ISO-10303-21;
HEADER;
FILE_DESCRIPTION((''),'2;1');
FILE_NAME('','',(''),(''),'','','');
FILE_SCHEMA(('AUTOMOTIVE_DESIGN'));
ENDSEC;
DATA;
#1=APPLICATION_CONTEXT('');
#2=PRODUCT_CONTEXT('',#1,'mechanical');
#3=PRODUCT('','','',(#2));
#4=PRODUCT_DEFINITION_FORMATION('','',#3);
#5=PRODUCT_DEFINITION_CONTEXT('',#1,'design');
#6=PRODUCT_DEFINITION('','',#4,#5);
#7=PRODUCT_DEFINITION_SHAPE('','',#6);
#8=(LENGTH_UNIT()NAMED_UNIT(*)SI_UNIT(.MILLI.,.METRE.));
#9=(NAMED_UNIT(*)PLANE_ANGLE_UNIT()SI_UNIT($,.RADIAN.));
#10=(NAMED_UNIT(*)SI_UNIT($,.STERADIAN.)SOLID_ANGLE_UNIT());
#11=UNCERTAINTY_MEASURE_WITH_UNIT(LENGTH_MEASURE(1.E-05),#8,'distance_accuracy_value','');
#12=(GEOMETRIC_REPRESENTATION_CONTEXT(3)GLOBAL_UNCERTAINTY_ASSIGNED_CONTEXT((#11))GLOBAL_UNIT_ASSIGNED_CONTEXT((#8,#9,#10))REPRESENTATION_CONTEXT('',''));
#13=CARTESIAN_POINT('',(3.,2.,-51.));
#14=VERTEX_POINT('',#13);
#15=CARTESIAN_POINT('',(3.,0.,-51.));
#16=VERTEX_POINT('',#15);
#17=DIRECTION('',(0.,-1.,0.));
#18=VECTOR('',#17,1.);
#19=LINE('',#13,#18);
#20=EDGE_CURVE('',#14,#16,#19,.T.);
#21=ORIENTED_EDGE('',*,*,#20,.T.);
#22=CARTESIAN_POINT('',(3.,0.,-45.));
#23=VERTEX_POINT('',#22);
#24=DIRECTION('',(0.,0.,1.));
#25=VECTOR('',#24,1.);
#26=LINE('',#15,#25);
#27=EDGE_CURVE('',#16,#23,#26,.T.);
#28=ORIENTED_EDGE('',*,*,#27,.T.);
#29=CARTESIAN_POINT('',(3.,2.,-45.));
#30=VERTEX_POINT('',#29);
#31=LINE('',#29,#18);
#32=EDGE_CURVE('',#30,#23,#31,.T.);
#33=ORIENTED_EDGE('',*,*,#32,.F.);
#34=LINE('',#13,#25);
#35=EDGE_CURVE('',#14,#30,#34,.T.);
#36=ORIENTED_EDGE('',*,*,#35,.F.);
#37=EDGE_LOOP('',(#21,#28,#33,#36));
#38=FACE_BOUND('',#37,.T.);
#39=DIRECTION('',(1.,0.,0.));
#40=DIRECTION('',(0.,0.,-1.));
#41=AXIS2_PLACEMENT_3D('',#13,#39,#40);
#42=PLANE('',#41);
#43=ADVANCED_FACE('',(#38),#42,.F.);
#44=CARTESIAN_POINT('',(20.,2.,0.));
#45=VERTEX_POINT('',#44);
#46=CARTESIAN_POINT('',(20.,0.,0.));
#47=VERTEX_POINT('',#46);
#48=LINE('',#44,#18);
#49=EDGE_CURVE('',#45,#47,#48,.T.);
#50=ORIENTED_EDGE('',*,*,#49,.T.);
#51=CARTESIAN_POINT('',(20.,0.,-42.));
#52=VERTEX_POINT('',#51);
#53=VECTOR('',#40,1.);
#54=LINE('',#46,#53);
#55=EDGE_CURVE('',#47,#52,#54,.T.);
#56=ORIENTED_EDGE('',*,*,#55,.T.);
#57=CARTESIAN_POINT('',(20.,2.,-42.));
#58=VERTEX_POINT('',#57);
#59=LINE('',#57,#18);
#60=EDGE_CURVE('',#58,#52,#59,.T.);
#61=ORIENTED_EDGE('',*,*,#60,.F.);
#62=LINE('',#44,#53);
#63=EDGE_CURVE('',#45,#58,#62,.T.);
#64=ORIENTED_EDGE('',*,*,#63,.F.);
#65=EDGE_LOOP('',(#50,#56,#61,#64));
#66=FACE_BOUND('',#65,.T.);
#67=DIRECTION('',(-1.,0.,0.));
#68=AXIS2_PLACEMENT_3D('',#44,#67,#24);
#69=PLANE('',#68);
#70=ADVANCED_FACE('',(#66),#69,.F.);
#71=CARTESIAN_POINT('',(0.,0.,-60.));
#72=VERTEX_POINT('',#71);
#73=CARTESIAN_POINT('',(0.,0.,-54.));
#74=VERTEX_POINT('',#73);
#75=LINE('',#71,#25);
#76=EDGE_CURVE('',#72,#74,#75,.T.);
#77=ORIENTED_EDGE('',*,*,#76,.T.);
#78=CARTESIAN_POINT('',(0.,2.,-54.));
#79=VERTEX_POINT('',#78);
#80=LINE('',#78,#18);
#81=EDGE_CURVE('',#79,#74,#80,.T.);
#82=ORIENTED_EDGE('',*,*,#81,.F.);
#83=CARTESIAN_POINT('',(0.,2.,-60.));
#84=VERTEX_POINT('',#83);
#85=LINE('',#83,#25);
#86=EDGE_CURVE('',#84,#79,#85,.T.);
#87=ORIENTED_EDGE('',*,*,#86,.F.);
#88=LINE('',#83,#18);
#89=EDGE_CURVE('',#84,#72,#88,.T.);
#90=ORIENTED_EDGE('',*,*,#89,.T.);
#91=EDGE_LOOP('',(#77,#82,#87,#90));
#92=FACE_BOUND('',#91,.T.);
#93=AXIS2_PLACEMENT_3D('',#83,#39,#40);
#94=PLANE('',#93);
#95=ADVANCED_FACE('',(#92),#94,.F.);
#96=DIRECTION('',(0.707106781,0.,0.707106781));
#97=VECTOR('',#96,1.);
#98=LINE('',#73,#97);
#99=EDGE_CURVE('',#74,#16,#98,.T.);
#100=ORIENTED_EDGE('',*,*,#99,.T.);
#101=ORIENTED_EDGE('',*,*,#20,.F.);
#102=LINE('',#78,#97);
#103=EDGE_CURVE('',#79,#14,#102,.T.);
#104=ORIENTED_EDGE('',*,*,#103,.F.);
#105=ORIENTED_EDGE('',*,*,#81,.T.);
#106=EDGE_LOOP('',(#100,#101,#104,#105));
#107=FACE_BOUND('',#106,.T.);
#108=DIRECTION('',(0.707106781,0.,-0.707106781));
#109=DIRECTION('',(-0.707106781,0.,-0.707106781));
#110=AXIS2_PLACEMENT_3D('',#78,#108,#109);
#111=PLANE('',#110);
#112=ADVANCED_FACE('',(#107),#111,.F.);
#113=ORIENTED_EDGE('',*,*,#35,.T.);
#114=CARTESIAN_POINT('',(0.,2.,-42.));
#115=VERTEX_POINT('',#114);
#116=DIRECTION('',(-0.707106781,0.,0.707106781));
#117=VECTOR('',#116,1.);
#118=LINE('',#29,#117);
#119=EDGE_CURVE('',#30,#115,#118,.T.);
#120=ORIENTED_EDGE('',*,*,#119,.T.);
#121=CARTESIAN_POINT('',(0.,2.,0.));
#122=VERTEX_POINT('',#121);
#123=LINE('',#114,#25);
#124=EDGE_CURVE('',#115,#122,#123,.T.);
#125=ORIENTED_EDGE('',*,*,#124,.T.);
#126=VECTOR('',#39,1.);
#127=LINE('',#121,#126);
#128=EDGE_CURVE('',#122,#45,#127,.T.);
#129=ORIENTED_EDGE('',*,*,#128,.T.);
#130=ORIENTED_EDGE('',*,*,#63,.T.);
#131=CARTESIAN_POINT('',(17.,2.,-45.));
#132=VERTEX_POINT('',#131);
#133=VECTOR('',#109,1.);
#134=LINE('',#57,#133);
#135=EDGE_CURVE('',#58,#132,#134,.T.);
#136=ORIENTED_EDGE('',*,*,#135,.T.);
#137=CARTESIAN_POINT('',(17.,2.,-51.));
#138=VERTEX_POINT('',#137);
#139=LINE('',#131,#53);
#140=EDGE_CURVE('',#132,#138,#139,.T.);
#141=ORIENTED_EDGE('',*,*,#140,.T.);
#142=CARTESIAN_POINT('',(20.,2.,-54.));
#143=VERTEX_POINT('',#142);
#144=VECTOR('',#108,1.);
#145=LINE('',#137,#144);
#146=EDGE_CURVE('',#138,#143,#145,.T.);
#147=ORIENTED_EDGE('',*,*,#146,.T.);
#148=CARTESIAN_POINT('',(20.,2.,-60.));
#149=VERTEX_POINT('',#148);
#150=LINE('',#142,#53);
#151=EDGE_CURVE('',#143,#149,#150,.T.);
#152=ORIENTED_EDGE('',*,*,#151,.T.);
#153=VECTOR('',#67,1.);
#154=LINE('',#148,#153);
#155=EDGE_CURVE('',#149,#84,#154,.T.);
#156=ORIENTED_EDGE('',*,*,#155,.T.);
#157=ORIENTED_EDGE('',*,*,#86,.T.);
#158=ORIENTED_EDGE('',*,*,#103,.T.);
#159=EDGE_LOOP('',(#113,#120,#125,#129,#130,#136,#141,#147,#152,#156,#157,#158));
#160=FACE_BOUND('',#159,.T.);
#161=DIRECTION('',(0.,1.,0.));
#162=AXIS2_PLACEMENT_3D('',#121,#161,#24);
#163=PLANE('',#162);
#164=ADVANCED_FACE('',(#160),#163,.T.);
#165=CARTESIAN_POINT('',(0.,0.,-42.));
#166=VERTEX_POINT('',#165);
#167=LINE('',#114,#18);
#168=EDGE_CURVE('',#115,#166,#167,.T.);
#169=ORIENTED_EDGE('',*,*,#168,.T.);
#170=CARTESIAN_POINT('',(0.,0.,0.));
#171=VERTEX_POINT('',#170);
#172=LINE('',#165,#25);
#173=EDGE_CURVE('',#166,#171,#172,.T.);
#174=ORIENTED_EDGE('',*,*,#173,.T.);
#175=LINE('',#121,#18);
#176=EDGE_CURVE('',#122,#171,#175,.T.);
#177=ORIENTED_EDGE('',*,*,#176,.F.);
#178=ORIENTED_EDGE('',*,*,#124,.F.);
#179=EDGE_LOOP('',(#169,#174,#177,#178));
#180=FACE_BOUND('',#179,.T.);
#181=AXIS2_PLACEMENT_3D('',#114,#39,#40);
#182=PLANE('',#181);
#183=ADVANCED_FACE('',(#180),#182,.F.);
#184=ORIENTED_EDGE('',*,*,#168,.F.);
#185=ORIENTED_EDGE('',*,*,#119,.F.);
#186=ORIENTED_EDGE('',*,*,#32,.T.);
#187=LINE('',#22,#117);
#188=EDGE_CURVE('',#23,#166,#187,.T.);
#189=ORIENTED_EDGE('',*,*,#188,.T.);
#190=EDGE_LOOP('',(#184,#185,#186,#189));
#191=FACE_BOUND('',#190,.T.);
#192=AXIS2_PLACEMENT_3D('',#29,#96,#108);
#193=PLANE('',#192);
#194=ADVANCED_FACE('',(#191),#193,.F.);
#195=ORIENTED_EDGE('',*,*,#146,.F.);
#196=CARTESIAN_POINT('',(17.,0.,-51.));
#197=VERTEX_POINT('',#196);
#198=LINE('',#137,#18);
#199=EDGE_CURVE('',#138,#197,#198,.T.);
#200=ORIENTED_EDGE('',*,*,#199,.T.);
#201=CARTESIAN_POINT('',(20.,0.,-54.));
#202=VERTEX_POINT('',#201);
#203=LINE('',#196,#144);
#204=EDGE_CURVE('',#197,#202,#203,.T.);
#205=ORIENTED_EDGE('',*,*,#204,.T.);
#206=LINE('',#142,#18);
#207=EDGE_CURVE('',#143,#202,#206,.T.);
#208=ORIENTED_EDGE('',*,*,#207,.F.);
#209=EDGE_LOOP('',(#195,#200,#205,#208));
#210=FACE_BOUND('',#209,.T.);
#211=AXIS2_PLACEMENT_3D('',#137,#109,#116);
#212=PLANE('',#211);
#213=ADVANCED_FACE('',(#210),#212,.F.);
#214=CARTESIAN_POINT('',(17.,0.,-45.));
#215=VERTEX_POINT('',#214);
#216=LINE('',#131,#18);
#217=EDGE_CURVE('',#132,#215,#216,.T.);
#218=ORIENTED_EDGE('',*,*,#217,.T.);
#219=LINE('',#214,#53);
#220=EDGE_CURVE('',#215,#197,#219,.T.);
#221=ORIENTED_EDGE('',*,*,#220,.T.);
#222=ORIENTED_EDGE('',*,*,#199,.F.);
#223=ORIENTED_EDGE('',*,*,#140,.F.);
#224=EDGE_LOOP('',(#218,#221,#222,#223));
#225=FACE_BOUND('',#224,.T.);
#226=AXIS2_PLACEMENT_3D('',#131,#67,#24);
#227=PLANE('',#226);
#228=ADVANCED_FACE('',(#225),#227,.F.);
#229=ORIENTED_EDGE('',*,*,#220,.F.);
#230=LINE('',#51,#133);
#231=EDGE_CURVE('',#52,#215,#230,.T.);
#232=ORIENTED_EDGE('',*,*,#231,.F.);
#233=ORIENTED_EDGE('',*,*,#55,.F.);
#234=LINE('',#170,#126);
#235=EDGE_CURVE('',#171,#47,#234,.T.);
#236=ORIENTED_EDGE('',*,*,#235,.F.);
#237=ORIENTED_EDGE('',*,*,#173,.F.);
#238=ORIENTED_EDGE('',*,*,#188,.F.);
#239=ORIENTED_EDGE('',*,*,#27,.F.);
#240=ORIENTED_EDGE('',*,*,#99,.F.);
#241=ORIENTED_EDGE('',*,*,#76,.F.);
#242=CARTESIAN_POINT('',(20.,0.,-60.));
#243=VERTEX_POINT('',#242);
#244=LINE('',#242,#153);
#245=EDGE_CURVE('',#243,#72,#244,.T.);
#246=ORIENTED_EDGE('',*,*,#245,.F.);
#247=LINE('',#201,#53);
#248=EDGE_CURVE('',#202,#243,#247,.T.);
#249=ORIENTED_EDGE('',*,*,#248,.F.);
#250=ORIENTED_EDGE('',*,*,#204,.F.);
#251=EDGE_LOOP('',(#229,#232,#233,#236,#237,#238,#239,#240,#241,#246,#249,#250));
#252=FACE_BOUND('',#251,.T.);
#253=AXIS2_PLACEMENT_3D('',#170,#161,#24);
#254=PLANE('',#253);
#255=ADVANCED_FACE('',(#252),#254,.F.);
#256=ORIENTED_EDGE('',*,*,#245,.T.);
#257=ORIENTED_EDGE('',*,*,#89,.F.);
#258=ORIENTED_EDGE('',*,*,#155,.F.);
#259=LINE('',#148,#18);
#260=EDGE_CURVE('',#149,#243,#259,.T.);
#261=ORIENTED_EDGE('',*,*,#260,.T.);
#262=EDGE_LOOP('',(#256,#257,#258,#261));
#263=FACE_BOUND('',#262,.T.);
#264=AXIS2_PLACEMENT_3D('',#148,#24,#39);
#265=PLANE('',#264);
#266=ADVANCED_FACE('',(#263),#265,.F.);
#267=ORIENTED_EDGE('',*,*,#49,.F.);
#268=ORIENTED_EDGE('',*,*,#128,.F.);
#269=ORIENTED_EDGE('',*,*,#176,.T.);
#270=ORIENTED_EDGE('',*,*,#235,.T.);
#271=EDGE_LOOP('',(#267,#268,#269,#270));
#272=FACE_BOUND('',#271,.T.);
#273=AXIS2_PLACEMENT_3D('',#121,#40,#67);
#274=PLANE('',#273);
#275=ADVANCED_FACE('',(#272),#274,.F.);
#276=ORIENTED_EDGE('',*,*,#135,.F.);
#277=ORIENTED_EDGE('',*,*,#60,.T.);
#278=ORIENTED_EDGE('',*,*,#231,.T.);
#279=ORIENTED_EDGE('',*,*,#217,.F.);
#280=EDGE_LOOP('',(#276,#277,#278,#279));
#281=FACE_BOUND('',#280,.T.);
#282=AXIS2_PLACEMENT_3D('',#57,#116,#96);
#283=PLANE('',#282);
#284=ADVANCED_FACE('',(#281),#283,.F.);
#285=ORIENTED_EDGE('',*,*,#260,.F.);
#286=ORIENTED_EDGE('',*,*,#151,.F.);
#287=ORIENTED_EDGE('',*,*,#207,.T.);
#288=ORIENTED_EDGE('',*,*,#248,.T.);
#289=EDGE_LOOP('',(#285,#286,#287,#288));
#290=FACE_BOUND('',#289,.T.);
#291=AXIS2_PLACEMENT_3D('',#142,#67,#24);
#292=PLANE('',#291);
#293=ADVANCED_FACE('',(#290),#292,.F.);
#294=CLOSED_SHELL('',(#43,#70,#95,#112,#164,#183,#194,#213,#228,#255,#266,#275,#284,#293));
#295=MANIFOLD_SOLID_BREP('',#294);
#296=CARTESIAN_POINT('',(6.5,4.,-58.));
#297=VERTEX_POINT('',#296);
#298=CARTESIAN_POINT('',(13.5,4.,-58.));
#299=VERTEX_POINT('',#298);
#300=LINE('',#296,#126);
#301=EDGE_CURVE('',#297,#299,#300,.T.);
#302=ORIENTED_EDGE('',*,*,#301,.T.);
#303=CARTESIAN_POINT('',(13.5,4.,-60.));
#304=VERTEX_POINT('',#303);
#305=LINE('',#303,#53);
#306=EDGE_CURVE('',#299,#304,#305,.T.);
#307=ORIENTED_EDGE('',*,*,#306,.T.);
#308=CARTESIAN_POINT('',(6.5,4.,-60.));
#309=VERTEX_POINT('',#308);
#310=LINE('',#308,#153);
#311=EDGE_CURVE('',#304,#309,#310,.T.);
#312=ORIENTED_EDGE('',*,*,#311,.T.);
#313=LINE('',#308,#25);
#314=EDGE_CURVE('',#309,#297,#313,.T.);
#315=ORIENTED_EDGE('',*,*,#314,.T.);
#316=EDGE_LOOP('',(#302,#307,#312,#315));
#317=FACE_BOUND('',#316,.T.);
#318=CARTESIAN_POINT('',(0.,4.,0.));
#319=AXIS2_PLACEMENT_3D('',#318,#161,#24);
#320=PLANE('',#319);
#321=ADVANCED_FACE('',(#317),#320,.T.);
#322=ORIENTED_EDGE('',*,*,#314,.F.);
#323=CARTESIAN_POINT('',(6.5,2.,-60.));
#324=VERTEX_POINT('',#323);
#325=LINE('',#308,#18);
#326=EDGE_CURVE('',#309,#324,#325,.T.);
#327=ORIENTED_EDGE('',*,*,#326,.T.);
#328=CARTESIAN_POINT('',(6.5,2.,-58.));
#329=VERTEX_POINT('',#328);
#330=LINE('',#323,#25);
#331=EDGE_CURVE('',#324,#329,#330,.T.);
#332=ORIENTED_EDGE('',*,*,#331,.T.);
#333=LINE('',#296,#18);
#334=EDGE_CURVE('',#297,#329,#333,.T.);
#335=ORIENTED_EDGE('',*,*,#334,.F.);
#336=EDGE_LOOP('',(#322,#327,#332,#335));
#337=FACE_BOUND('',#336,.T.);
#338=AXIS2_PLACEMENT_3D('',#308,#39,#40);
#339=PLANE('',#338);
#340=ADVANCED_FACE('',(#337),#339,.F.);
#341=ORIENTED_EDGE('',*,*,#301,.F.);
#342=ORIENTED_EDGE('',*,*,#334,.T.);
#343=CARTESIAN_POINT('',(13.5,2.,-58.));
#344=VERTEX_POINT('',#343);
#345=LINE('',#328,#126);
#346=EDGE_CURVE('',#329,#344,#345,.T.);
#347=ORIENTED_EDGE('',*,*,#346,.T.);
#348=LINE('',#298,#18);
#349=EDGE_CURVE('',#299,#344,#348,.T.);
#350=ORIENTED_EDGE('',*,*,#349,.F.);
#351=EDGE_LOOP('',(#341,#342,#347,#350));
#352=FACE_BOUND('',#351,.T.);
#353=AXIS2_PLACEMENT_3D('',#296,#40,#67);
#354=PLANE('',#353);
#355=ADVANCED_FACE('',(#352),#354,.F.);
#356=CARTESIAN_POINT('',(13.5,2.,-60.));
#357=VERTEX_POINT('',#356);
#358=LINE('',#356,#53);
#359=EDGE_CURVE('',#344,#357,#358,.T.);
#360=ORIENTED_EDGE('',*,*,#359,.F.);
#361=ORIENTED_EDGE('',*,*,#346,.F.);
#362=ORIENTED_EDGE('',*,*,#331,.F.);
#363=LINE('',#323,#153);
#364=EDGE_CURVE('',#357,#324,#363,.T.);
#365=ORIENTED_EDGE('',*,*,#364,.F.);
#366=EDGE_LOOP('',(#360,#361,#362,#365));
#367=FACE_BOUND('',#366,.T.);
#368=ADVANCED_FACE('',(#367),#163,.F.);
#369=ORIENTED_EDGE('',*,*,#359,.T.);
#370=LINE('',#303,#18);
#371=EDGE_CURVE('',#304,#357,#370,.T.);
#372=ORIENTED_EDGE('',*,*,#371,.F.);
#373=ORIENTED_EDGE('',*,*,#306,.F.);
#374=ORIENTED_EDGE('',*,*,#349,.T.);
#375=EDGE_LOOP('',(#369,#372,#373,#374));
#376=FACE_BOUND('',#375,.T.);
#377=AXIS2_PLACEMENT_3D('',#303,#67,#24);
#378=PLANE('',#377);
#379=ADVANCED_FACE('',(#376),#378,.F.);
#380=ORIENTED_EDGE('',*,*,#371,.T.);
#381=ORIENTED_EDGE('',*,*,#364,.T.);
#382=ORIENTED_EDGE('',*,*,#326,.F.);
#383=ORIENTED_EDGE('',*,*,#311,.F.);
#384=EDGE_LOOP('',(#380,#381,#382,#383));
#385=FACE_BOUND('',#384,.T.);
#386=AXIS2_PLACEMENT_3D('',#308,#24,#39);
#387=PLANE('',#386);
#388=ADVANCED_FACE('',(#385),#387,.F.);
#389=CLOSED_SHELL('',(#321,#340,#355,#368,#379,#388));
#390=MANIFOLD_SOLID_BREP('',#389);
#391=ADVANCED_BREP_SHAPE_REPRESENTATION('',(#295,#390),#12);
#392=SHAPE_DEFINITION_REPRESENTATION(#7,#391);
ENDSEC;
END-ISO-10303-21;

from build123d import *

# Parameters (mm, degrees)
BOSS_EXTRUDE1_DEPTH = 2
SKETCH2_W           = 7
SKETCH2_H           = 2
BOSS_EXTRUDE2_DEPTH = 2


with BuildPart() as part:
    # Sketch1 → Boss-Extrude1 (new body)
    with BuildSketch(Plane(origin=(0, 0, 0), x_dir=(1, 0, 0), z_dir=(0, 1, 0))):
        Polygon((0, 60), (0, 54), (3, 51), (3, 45), (0, 42), (0, 0), (20, 0), (20, 42), (17, 45), (17, 51), (20, 54), (20, 60), align=None)
    extrude(amount=BOSS_EXTRUDE1_DEPTH)


with BuildPart() as body_2:
    # Sketch2 → Boss-Extrude2 (new body)
    with BuildSketch(Plane(origin=(0, 2, 0), x_dir=(1, 0, 0), z_dir=(0, 1, 0))):
        with Locations((10, 59)):
            Rectangle(SKETCH2_W, SKETCH2_H)
    extrude(amount=BOSS_EXTRUDE2_DEPTH)


solid = Compound([part.part, body_2.part])
